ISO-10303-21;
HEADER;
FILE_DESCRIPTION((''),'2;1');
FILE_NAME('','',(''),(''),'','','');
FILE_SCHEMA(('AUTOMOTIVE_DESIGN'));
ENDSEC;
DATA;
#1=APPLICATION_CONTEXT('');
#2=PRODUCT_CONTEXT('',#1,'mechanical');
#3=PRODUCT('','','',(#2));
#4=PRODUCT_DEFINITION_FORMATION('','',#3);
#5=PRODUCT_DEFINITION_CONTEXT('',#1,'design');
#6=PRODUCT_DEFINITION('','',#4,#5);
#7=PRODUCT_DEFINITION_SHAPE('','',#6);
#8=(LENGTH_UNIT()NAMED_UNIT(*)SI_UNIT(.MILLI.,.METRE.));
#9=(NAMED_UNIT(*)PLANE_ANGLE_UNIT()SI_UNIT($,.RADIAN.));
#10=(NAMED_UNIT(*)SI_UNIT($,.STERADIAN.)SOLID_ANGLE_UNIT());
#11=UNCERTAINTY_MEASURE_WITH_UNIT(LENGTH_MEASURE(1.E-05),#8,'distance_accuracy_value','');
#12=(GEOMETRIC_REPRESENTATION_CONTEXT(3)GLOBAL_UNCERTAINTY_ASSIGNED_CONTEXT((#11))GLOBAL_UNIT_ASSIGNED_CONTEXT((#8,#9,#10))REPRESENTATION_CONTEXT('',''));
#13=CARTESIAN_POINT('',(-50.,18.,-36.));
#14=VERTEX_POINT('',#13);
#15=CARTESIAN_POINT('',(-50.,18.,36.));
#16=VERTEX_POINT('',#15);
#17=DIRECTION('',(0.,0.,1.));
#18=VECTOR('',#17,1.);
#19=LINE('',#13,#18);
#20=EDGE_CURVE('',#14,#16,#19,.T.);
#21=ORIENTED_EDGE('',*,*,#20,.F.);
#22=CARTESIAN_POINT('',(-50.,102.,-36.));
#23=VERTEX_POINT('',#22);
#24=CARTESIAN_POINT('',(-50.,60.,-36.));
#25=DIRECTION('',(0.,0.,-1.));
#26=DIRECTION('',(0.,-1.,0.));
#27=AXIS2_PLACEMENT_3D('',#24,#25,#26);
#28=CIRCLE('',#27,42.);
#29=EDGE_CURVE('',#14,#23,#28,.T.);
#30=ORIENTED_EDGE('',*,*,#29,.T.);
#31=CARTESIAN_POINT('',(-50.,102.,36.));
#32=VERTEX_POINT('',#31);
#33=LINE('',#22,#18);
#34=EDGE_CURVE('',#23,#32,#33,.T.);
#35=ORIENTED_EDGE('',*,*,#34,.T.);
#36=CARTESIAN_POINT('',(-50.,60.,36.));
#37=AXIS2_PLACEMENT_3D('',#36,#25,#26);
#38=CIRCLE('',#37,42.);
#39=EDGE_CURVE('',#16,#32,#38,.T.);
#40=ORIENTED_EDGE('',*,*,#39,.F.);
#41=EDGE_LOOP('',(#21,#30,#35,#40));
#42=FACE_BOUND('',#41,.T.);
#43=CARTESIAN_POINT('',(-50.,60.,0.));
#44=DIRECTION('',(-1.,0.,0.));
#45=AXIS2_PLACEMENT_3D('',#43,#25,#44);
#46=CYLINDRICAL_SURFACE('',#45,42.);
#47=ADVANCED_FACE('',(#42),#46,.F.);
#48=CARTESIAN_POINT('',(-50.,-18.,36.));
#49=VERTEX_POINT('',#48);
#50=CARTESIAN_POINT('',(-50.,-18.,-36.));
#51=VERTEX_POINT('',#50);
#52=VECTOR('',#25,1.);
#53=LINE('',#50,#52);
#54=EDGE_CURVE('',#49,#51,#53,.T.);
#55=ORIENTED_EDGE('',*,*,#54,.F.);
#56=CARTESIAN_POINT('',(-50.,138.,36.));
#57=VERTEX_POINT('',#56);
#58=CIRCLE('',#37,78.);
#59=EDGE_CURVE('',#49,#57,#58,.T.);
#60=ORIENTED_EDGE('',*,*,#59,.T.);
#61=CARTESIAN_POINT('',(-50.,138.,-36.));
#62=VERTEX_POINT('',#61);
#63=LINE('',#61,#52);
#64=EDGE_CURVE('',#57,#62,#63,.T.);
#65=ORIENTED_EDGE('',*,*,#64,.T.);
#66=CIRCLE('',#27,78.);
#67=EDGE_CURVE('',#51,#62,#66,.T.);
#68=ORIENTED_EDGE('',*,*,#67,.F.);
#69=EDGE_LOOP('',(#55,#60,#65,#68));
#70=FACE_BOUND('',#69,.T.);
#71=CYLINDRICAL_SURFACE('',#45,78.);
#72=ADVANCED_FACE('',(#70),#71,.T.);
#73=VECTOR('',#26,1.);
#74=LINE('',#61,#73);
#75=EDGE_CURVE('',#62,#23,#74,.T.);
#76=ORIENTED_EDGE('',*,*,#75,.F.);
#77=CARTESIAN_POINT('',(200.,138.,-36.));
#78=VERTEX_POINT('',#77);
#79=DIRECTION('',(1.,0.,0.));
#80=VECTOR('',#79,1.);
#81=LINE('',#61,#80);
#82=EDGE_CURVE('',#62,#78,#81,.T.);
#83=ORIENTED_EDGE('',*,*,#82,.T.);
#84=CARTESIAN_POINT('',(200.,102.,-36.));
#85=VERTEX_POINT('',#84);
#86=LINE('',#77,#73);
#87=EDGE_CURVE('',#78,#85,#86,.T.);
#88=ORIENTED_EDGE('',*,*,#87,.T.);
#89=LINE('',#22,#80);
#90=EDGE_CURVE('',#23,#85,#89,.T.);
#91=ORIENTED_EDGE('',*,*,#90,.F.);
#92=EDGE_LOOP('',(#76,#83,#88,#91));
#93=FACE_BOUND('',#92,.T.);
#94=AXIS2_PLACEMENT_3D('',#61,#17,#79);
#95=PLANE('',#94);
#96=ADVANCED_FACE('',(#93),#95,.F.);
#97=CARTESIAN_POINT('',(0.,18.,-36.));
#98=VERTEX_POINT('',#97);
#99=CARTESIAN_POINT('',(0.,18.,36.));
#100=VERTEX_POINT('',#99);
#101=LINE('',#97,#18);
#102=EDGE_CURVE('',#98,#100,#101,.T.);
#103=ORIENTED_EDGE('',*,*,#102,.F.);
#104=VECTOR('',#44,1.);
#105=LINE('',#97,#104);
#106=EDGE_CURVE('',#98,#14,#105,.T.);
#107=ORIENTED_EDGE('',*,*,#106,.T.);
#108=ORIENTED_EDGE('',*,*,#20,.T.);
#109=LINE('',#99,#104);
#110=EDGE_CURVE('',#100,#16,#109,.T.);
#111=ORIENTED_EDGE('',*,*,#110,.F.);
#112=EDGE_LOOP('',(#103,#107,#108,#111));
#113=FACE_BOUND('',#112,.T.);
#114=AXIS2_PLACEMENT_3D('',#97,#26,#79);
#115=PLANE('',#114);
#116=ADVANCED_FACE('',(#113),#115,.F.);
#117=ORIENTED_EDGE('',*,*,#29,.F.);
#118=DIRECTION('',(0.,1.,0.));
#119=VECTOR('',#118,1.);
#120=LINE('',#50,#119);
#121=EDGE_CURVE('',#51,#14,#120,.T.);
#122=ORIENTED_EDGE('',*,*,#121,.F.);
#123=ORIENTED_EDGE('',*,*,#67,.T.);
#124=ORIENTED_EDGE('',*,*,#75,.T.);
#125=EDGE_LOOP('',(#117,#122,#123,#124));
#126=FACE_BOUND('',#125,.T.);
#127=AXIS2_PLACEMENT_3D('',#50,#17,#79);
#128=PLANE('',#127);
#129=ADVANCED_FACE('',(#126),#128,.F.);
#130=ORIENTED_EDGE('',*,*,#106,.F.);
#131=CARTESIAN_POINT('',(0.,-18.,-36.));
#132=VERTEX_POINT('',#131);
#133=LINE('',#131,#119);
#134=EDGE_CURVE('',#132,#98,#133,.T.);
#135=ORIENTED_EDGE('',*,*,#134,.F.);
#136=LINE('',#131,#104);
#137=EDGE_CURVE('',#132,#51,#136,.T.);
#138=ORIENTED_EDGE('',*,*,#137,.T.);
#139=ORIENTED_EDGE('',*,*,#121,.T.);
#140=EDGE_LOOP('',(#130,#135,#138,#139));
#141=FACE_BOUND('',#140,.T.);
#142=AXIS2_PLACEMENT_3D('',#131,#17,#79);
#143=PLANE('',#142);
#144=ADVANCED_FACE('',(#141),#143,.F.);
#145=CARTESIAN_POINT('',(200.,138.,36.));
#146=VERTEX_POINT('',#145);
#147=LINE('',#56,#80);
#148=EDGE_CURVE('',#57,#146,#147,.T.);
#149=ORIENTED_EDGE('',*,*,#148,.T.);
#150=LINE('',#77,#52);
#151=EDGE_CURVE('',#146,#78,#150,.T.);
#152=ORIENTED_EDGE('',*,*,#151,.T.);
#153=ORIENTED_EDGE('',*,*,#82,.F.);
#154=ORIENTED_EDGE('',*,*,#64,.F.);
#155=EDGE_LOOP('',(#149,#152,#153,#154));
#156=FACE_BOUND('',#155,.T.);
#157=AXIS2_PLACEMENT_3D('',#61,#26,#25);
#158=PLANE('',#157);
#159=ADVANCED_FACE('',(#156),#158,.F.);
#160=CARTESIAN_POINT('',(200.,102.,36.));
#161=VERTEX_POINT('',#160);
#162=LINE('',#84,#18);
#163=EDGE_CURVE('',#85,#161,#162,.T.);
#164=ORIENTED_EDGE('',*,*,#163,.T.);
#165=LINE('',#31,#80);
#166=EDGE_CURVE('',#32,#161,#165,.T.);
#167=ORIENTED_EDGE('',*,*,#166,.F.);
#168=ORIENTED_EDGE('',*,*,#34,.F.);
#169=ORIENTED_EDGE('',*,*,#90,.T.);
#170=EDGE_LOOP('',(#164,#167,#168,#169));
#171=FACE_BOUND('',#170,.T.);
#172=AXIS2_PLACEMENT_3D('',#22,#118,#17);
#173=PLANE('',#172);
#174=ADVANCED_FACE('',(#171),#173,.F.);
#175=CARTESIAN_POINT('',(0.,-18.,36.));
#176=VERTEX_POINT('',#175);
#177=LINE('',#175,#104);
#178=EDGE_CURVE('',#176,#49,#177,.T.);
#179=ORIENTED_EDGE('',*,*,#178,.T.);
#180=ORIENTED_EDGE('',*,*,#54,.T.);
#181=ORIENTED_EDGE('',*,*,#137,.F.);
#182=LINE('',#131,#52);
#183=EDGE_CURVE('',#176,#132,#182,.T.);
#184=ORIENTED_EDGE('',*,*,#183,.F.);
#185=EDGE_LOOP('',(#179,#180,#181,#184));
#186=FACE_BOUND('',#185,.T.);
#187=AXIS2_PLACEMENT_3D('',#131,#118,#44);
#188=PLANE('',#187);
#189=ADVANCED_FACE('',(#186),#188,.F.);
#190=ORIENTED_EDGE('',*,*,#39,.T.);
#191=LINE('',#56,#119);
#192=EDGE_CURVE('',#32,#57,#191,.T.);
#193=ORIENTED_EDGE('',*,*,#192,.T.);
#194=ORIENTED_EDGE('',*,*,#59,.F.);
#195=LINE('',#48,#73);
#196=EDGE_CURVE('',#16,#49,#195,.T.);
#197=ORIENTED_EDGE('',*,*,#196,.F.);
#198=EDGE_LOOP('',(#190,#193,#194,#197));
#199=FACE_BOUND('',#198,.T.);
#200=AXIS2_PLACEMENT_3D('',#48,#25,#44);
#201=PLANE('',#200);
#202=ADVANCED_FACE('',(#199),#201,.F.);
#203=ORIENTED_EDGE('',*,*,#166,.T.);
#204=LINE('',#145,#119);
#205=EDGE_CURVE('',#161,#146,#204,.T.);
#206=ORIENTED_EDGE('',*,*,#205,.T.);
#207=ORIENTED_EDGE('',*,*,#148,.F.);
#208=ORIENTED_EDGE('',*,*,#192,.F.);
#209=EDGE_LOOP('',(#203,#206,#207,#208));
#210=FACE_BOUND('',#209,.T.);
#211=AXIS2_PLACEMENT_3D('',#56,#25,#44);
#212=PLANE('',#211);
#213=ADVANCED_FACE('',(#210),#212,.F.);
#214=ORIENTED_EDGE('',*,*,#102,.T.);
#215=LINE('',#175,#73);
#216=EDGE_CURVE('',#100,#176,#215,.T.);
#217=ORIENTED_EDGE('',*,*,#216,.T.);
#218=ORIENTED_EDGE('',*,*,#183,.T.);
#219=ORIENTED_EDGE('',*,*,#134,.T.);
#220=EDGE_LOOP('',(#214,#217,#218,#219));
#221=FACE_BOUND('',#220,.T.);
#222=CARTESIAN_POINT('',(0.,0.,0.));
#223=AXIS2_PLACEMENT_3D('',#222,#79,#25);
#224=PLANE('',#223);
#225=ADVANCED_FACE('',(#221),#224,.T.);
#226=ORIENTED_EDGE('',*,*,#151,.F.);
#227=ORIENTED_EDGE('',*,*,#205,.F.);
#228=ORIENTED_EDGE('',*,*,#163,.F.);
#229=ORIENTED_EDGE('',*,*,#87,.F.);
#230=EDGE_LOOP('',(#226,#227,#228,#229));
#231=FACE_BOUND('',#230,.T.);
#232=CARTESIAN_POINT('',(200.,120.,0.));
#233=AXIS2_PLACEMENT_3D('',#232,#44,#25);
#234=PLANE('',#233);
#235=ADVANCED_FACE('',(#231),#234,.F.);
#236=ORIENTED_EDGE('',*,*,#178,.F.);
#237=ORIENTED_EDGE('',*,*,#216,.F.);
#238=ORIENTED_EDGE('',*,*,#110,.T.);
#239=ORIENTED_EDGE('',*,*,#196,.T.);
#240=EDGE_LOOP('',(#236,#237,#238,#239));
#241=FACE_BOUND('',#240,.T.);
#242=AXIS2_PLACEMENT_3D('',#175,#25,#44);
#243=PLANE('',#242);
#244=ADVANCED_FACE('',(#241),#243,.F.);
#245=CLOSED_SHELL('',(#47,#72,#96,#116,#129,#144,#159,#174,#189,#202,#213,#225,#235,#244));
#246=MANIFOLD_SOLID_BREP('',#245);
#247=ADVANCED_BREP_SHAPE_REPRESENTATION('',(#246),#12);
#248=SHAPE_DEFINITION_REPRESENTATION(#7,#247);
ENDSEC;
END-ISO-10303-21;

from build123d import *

# Parameters (mm, degrees)
SKETCH2_W = 72
SKETCH2_H = 36


with BuildPart() as part:
    # Sweep1: sweep along a path in Sketch1
    with BuildLine(Plane.XY) as sweep1_path:
        Line((0, 0), (-50, 0))
        ThreePointArc((-50, 0), (-110, 60), (-50, 120))
        Line((-50, 120), (200, 120))
    # Sketch2 → Sweep1 (sweep)
    with BuildSketch(Plane(origin=(0, 0, 0), x_dir=(0, 0, -1), z_dir=(1, 0, 0))):
        Rectangle(SKETCH2_W, SKETCH2_H)
    sweep(path=sweep1_path.line)


solid = part.part
